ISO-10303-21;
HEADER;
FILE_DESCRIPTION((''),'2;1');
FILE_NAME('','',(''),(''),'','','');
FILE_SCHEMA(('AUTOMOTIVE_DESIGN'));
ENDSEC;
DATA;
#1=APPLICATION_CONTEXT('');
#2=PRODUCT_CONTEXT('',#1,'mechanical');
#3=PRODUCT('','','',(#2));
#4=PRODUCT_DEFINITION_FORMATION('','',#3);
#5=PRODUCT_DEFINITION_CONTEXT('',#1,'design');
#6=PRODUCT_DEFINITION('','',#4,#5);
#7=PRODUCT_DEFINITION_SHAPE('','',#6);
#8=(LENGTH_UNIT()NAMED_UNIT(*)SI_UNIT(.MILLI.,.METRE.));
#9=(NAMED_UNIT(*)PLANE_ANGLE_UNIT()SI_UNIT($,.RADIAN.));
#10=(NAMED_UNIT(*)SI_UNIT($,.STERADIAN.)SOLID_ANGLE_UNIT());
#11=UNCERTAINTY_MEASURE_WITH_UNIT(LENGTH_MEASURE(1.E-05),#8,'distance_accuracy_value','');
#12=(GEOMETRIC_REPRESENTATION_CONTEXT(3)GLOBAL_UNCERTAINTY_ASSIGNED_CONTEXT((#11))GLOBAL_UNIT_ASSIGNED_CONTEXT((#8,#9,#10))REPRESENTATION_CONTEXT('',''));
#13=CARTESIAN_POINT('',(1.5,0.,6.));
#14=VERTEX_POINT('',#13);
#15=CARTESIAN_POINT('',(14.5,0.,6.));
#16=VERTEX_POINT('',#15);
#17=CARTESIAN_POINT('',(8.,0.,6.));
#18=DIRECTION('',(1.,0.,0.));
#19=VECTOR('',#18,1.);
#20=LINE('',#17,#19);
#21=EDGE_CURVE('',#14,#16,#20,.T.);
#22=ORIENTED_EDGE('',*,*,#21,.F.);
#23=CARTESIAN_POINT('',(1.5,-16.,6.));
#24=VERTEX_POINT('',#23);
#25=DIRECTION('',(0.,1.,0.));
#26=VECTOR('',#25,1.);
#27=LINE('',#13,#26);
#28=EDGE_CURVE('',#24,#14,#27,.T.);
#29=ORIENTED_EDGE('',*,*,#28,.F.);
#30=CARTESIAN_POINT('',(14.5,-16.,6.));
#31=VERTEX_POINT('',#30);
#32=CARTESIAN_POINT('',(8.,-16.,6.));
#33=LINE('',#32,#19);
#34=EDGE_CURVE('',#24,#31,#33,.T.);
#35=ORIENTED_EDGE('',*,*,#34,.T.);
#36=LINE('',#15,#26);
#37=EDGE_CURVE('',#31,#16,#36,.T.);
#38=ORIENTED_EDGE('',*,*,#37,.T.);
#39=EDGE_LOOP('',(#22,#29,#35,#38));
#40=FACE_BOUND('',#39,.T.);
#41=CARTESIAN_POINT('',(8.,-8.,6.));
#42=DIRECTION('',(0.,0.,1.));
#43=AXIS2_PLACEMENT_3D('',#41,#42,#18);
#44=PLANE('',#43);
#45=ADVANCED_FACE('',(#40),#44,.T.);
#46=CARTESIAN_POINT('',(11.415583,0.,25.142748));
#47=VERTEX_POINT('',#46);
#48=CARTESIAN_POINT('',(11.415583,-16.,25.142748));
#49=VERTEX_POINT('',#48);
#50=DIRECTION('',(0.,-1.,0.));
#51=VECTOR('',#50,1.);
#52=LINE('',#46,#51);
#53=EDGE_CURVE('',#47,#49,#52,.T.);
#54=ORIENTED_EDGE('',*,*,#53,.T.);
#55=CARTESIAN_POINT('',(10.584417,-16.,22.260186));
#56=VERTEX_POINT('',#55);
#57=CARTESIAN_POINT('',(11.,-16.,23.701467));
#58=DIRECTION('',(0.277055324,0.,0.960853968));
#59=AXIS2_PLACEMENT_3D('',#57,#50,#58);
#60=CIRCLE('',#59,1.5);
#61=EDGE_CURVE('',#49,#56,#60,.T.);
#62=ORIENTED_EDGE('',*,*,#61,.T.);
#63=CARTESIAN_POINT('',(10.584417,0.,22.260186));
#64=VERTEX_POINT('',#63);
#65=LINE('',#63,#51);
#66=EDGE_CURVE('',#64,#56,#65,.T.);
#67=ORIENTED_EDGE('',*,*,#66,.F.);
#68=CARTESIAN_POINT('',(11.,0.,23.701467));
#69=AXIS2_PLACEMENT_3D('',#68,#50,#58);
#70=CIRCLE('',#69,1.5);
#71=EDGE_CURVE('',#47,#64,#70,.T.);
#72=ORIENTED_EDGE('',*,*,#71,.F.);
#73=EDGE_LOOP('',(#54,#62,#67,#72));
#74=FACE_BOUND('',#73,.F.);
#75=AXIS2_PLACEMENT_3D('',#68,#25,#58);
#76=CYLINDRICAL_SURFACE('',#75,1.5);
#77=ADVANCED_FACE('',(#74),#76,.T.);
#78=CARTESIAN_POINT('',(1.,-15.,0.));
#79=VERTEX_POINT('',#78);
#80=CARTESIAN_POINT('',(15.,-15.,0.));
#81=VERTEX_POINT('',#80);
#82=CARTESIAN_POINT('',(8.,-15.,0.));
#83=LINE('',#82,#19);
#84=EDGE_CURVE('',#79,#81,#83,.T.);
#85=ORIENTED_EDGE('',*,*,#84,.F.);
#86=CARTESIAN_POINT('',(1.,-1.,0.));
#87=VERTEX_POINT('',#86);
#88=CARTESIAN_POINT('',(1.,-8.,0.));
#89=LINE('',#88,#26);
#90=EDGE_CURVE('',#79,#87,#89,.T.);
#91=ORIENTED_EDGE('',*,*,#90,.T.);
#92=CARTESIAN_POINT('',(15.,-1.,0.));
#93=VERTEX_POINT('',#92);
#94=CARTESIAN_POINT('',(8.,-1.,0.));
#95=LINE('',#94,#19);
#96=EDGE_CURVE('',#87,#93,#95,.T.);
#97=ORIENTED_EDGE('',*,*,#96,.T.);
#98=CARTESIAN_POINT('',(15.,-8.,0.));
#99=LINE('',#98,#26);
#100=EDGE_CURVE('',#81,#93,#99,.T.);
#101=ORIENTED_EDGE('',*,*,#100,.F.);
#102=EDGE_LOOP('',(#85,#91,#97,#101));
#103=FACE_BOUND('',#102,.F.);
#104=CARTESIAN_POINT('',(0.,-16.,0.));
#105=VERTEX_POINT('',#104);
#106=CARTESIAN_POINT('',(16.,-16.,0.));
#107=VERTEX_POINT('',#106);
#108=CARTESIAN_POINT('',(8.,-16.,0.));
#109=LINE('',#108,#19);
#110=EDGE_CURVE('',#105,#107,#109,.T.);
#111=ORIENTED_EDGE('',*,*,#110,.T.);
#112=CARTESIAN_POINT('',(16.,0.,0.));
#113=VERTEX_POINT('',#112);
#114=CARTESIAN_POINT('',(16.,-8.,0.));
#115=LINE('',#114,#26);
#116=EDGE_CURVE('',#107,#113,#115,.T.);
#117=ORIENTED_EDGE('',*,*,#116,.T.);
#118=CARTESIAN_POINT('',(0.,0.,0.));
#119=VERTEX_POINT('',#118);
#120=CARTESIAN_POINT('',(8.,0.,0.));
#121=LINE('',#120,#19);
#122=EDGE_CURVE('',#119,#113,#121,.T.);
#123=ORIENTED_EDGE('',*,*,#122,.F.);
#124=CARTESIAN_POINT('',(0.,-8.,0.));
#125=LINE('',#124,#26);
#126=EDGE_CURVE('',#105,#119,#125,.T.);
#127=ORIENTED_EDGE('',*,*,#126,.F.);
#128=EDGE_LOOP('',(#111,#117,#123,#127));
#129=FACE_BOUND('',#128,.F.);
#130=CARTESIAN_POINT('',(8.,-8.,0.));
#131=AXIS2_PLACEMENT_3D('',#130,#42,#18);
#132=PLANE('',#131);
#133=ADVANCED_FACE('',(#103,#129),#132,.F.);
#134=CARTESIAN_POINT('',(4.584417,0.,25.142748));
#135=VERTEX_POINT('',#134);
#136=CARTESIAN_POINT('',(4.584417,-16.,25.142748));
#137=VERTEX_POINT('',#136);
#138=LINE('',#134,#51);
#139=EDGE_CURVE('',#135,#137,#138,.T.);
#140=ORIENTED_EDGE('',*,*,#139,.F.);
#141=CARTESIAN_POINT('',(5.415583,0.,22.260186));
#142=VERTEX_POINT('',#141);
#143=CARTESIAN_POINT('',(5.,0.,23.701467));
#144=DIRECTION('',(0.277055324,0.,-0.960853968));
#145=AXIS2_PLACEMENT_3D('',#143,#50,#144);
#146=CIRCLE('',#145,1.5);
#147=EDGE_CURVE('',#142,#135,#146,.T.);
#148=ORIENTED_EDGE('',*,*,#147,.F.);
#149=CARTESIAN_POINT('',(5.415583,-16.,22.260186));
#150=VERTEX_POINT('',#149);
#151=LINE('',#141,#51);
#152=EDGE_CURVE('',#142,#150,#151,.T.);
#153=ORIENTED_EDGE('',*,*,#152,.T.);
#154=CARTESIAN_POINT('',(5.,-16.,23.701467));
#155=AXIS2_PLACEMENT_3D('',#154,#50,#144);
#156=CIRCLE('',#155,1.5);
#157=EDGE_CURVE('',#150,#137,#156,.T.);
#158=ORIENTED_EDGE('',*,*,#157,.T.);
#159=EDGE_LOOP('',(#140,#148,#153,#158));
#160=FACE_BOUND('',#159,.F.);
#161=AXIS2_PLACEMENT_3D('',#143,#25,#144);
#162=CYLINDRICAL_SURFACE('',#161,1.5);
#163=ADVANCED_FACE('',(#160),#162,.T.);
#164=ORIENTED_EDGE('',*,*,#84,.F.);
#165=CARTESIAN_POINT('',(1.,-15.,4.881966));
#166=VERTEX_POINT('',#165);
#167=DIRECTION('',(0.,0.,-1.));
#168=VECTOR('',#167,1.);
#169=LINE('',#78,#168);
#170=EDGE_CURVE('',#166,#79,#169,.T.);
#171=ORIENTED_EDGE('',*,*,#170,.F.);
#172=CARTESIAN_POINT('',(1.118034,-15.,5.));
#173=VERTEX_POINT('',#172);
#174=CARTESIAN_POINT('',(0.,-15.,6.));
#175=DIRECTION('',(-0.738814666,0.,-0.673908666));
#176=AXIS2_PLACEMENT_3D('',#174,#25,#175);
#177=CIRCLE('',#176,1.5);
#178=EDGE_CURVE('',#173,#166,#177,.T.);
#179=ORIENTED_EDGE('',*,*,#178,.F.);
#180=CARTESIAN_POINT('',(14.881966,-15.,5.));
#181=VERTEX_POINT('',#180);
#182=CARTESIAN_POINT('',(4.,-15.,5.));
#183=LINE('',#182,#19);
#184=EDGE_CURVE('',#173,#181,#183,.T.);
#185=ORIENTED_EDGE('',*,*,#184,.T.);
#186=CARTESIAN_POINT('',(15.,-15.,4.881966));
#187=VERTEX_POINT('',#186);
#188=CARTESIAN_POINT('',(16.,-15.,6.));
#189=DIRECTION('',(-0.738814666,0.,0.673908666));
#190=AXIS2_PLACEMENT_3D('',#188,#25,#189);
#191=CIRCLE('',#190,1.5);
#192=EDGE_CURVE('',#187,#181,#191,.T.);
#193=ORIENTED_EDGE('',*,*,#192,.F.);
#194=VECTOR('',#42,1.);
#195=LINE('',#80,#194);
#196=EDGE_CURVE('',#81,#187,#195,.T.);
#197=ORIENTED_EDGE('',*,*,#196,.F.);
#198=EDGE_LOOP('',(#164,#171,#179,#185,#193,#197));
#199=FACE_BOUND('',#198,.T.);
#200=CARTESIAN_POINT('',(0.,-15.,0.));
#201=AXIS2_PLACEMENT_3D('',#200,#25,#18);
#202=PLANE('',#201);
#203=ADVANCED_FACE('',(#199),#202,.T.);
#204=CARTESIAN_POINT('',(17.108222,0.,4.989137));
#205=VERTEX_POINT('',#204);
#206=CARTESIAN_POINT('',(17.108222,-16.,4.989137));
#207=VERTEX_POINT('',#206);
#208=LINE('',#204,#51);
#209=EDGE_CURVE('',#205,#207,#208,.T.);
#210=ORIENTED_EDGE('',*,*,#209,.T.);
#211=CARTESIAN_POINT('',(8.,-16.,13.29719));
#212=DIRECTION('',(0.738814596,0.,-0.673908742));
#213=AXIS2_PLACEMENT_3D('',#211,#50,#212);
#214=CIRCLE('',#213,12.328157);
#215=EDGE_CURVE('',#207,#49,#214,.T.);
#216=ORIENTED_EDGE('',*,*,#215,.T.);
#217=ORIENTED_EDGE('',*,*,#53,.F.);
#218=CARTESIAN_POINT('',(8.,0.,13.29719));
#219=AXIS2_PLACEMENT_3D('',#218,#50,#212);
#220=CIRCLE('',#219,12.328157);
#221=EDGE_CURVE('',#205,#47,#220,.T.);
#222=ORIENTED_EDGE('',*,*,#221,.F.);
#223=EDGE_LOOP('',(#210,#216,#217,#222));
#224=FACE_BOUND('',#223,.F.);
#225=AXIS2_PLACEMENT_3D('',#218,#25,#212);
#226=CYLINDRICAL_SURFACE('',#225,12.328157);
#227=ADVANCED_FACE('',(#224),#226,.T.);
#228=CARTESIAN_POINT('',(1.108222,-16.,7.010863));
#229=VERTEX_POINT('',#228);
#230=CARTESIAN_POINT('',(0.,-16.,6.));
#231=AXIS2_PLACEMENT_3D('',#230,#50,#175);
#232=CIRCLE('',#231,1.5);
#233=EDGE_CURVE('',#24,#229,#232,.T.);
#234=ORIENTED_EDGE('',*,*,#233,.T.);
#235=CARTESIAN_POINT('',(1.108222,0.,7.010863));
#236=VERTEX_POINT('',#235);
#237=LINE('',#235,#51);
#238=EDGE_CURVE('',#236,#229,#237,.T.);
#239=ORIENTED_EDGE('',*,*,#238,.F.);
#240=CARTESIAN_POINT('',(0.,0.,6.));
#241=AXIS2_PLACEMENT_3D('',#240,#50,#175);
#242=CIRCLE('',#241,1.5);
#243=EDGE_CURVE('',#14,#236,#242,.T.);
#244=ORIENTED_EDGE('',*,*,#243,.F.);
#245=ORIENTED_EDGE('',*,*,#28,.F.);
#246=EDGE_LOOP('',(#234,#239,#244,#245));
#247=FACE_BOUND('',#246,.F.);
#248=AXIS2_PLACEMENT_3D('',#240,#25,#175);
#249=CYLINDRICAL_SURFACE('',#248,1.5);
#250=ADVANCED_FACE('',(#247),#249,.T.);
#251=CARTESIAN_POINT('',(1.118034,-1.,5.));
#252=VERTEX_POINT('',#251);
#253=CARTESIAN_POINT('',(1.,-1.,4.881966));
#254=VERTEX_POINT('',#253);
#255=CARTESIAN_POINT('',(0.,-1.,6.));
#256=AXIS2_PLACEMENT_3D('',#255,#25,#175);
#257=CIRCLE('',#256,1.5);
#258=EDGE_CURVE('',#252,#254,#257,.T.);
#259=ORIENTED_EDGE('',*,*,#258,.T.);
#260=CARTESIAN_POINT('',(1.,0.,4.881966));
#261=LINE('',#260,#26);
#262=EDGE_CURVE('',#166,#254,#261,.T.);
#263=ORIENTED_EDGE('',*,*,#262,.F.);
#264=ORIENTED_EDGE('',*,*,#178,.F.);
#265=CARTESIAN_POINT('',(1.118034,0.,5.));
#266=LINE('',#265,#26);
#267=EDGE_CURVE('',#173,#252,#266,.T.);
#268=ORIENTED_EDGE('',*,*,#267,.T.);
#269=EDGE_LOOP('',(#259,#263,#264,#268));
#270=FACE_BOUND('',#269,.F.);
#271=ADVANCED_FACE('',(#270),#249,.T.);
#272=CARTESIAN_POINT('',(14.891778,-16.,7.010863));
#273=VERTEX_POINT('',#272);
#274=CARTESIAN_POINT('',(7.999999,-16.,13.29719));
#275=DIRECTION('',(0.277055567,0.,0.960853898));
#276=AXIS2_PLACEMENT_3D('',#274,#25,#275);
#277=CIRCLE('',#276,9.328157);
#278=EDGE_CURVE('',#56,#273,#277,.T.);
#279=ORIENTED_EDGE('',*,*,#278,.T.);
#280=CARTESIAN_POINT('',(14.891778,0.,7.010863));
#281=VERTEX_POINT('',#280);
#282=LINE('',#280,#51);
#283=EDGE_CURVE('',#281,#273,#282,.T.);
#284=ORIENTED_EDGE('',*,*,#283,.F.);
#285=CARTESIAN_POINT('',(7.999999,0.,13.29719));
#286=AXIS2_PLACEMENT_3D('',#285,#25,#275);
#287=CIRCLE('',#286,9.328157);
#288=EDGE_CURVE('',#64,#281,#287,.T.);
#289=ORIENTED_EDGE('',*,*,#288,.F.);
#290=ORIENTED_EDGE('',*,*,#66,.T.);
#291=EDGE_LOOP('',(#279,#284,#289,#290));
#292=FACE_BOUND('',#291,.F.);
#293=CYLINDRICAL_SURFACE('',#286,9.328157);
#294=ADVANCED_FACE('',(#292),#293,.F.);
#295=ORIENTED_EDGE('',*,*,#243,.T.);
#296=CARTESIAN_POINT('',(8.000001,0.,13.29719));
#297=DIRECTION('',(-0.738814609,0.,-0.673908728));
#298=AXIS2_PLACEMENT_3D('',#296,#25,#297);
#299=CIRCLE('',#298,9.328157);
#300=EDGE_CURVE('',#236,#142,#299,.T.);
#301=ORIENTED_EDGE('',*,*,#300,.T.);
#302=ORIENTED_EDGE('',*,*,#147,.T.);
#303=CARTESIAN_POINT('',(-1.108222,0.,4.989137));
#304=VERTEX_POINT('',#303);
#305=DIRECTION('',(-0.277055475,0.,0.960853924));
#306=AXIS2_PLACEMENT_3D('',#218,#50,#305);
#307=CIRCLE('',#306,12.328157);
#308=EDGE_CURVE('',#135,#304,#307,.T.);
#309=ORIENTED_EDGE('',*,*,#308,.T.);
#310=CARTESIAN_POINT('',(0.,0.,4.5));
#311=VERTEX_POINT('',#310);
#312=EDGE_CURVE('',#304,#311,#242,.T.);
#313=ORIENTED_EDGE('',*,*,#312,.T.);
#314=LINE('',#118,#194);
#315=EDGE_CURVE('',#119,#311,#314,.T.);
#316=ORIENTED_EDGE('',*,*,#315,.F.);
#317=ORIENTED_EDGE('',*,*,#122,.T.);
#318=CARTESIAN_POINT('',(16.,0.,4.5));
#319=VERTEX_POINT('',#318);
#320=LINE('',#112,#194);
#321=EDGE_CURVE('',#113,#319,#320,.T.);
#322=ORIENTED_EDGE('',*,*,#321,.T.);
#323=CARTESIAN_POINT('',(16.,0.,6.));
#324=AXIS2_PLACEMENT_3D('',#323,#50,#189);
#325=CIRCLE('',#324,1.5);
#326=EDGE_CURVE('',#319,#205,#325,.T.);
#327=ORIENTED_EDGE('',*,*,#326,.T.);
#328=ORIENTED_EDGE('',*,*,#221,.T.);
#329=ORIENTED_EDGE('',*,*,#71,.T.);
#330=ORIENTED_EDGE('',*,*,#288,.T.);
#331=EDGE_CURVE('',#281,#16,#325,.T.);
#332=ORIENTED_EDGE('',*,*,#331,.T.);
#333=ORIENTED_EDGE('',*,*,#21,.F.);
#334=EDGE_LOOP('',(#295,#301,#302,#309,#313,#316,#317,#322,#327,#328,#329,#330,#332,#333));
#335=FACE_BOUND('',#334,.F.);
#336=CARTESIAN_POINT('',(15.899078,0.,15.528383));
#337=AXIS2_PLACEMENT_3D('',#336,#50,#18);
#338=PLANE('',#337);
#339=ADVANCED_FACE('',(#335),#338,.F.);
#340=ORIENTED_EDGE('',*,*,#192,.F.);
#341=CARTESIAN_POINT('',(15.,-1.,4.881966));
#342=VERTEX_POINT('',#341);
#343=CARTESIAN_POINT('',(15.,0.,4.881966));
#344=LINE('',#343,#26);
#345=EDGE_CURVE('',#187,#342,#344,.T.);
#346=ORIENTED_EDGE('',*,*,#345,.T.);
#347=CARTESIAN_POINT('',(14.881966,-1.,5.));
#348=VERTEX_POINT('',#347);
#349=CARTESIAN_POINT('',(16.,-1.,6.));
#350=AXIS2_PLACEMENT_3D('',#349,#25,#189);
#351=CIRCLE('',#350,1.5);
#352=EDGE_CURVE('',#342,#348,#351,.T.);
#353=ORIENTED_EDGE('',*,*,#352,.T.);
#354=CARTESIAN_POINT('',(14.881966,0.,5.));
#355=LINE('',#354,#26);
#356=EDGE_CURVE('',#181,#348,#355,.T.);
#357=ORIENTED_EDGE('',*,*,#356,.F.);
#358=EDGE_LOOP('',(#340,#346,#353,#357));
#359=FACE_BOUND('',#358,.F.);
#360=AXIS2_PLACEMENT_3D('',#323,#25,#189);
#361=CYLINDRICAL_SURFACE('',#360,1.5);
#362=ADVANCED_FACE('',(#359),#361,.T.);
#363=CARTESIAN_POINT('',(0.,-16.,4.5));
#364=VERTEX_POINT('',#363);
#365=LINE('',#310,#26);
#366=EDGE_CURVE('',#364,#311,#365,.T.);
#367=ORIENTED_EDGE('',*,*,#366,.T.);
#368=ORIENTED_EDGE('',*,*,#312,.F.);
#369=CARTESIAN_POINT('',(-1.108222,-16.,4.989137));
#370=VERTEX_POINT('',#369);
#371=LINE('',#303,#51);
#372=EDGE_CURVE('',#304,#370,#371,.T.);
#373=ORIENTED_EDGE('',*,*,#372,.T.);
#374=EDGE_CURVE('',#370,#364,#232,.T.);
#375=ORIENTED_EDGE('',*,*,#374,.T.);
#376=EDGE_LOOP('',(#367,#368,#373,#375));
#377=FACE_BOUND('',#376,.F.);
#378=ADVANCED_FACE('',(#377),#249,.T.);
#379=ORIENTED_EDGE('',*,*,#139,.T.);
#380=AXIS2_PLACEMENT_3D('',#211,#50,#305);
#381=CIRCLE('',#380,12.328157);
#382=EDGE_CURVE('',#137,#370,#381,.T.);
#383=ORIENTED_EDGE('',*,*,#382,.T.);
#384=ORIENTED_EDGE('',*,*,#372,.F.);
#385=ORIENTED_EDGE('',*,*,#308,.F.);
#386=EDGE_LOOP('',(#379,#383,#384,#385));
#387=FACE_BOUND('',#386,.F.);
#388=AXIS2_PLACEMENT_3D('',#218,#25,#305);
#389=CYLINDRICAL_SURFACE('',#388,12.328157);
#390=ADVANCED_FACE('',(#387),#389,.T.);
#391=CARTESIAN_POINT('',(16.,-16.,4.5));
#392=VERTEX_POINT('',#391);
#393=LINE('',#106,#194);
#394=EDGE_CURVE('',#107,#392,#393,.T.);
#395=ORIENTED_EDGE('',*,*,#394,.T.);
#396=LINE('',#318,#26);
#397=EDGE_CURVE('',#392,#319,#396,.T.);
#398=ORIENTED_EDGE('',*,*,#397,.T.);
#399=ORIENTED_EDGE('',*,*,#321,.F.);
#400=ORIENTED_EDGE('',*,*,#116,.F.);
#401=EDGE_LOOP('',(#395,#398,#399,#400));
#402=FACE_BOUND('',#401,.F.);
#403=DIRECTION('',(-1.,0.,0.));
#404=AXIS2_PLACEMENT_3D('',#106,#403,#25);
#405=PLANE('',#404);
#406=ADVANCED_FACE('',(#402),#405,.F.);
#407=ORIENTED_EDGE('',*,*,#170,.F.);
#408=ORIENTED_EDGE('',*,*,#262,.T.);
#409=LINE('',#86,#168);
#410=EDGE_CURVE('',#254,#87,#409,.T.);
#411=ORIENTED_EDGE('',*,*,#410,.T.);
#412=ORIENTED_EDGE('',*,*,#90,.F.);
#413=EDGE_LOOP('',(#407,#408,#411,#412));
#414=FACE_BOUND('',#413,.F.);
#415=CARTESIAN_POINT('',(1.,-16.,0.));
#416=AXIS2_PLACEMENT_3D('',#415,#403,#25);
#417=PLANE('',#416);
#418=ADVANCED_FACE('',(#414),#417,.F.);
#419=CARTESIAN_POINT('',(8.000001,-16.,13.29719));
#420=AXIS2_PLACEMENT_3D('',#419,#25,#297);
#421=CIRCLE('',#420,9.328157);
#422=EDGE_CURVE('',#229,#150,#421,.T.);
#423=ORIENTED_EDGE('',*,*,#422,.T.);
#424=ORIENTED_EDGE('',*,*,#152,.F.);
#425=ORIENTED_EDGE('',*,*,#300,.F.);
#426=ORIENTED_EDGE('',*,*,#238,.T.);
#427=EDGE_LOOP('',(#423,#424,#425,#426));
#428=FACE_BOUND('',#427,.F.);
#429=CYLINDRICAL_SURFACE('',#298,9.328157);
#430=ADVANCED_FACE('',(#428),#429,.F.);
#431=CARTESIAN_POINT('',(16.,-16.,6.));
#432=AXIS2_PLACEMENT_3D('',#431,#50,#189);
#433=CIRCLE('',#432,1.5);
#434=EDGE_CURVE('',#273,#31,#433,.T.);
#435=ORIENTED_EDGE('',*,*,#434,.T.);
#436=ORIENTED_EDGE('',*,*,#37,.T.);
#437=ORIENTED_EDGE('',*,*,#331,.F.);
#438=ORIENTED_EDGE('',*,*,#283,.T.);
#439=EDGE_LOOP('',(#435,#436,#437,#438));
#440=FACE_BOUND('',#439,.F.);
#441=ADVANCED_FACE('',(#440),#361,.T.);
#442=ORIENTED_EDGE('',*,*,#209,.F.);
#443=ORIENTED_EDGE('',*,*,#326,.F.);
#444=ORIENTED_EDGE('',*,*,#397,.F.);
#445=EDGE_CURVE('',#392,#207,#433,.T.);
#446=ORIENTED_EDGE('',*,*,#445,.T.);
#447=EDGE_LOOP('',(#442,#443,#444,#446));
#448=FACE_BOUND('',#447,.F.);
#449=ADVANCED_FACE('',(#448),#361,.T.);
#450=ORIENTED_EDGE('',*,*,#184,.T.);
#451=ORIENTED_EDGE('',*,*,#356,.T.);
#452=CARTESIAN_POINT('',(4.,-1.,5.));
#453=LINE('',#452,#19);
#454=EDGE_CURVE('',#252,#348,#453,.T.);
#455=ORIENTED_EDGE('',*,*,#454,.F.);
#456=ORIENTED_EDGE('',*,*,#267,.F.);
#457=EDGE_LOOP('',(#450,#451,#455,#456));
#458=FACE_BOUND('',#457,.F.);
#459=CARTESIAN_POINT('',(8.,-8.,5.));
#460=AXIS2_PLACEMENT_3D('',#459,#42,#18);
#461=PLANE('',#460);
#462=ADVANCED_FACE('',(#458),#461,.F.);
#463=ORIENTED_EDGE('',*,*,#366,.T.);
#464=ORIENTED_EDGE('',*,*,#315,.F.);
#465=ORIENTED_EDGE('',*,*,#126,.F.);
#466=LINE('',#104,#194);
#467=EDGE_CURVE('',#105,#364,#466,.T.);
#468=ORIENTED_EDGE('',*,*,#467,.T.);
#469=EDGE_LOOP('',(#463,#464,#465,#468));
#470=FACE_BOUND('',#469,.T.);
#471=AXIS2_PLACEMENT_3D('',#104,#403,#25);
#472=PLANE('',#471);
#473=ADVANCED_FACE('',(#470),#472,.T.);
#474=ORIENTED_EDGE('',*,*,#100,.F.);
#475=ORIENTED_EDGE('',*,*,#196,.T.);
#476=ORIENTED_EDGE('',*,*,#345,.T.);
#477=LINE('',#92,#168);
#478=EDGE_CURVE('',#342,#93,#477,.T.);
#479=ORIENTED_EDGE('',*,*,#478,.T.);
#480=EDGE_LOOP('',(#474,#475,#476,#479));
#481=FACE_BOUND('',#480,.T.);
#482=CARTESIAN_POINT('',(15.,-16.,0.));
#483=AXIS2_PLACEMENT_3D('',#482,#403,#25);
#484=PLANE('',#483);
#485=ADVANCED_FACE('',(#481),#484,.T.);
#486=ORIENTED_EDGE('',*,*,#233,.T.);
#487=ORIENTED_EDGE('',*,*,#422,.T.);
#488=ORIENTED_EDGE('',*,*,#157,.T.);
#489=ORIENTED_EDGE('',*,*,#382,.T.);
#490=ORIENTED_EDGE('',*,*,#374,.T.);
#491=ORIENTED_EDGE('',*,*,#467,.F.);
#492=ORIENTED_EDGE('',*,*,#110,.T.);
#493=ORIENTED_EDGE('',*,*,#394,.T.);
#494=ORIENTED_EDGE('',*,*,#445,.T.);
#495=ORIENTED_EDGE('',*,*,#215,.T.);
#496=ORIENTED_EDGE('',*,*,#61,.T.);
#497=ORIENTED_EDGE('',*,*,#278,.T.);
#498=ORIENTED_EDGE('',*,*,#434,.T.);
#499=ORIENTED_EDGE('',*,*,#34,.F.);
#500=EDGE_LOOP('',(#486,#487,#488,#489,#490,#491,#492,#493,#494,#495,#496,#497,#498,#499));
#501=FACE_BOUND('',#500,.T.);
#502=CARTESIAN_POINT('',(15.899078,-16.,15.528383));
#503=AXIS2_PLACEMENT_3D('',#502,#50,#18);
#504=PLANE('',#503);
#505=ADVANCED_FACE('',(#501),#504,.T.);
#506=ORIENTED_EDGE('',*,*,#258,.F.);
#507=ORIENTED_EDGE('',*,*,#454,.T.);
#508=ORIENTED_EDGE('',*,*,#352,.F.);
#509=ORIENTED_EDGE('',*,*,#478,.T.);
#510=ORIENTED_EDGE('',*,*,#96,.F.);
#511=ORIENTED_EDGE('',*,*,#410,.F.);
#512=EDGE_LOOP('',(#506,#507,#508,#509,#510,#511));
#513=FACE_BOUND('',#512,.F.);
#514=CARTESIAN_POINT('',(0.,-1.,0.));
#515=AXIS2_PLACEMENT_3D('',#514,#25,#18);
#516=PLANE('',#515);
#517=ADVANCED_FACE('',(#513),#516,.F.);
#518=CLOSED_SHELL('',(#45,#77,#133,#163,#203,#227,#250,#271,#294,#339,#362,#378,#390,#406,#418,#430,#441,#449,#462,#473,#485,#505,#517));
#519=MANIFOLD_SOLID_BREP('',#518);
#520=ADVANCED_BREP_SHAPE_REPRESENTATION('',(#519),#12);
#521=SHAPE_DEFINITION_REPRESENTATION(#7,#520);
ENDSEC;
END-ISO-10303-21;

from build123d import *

# Parameters (mm, degrees)
F0_W     = 16
F0_H     = 16
F1_DEPTH = 6
F2_T     = -1
F4_DEPTH = 16


with BuildPart() as f1:
    # F0 (on Top) → F1 (new body)
    with BuildSketch(Plane.XY):
        with Locations((8, -8)):
            Rectangle(F0_W, F0_H)
    extrude(amount=F1_DEPTH)

    # F2
    f2_openings = [f1.faces().sort_by_distance(p)[0] for p in [
        (8, -8, 0),
    ]]
    offset(amount=F2_T, openings=f2_openings)

    # F3 (on Front) → F4 (join)
    with BuildSketch(Plane.XZ):
        with BuildLine():
            ThreePointArc((14.891778, 7.010863), (14.989137, 4.891778), (17.108222, 4.989137))
            ThreePointArc((17.108222, 4.989137), (19.863955, 16.648312), (11.415583, 25.142748))
            ThreePointArc((11.415583, 25.142748), (9.558719, 24.11705), (10.584417, 22.260186))
            ThreePointArc((10.584417, 22.260186), (16.976916, 15.832832), (14.891778, 7.010863))
        make_face()
        with BuildLine():
            ThreePointArc((4.584417, 25.142748), (-3.863955, 16.648312), (-1.108222, 4.989137))
            ThreePointArc((-1.108222, 4.989137), (1.010863, 4.891778), (1.108222, 7.010863))
            ThreePointArc((1.108222, 7.010863), (-0.976916, 15.832832), (5.415583, 22.260186))
            ThreePointArc((5.415583, 22.260186), (6.441281, 24.11705), (4.584417, 25.142748))
        make_face()
    extrude(amount=F4_DEPTH)


solid = f1.part
